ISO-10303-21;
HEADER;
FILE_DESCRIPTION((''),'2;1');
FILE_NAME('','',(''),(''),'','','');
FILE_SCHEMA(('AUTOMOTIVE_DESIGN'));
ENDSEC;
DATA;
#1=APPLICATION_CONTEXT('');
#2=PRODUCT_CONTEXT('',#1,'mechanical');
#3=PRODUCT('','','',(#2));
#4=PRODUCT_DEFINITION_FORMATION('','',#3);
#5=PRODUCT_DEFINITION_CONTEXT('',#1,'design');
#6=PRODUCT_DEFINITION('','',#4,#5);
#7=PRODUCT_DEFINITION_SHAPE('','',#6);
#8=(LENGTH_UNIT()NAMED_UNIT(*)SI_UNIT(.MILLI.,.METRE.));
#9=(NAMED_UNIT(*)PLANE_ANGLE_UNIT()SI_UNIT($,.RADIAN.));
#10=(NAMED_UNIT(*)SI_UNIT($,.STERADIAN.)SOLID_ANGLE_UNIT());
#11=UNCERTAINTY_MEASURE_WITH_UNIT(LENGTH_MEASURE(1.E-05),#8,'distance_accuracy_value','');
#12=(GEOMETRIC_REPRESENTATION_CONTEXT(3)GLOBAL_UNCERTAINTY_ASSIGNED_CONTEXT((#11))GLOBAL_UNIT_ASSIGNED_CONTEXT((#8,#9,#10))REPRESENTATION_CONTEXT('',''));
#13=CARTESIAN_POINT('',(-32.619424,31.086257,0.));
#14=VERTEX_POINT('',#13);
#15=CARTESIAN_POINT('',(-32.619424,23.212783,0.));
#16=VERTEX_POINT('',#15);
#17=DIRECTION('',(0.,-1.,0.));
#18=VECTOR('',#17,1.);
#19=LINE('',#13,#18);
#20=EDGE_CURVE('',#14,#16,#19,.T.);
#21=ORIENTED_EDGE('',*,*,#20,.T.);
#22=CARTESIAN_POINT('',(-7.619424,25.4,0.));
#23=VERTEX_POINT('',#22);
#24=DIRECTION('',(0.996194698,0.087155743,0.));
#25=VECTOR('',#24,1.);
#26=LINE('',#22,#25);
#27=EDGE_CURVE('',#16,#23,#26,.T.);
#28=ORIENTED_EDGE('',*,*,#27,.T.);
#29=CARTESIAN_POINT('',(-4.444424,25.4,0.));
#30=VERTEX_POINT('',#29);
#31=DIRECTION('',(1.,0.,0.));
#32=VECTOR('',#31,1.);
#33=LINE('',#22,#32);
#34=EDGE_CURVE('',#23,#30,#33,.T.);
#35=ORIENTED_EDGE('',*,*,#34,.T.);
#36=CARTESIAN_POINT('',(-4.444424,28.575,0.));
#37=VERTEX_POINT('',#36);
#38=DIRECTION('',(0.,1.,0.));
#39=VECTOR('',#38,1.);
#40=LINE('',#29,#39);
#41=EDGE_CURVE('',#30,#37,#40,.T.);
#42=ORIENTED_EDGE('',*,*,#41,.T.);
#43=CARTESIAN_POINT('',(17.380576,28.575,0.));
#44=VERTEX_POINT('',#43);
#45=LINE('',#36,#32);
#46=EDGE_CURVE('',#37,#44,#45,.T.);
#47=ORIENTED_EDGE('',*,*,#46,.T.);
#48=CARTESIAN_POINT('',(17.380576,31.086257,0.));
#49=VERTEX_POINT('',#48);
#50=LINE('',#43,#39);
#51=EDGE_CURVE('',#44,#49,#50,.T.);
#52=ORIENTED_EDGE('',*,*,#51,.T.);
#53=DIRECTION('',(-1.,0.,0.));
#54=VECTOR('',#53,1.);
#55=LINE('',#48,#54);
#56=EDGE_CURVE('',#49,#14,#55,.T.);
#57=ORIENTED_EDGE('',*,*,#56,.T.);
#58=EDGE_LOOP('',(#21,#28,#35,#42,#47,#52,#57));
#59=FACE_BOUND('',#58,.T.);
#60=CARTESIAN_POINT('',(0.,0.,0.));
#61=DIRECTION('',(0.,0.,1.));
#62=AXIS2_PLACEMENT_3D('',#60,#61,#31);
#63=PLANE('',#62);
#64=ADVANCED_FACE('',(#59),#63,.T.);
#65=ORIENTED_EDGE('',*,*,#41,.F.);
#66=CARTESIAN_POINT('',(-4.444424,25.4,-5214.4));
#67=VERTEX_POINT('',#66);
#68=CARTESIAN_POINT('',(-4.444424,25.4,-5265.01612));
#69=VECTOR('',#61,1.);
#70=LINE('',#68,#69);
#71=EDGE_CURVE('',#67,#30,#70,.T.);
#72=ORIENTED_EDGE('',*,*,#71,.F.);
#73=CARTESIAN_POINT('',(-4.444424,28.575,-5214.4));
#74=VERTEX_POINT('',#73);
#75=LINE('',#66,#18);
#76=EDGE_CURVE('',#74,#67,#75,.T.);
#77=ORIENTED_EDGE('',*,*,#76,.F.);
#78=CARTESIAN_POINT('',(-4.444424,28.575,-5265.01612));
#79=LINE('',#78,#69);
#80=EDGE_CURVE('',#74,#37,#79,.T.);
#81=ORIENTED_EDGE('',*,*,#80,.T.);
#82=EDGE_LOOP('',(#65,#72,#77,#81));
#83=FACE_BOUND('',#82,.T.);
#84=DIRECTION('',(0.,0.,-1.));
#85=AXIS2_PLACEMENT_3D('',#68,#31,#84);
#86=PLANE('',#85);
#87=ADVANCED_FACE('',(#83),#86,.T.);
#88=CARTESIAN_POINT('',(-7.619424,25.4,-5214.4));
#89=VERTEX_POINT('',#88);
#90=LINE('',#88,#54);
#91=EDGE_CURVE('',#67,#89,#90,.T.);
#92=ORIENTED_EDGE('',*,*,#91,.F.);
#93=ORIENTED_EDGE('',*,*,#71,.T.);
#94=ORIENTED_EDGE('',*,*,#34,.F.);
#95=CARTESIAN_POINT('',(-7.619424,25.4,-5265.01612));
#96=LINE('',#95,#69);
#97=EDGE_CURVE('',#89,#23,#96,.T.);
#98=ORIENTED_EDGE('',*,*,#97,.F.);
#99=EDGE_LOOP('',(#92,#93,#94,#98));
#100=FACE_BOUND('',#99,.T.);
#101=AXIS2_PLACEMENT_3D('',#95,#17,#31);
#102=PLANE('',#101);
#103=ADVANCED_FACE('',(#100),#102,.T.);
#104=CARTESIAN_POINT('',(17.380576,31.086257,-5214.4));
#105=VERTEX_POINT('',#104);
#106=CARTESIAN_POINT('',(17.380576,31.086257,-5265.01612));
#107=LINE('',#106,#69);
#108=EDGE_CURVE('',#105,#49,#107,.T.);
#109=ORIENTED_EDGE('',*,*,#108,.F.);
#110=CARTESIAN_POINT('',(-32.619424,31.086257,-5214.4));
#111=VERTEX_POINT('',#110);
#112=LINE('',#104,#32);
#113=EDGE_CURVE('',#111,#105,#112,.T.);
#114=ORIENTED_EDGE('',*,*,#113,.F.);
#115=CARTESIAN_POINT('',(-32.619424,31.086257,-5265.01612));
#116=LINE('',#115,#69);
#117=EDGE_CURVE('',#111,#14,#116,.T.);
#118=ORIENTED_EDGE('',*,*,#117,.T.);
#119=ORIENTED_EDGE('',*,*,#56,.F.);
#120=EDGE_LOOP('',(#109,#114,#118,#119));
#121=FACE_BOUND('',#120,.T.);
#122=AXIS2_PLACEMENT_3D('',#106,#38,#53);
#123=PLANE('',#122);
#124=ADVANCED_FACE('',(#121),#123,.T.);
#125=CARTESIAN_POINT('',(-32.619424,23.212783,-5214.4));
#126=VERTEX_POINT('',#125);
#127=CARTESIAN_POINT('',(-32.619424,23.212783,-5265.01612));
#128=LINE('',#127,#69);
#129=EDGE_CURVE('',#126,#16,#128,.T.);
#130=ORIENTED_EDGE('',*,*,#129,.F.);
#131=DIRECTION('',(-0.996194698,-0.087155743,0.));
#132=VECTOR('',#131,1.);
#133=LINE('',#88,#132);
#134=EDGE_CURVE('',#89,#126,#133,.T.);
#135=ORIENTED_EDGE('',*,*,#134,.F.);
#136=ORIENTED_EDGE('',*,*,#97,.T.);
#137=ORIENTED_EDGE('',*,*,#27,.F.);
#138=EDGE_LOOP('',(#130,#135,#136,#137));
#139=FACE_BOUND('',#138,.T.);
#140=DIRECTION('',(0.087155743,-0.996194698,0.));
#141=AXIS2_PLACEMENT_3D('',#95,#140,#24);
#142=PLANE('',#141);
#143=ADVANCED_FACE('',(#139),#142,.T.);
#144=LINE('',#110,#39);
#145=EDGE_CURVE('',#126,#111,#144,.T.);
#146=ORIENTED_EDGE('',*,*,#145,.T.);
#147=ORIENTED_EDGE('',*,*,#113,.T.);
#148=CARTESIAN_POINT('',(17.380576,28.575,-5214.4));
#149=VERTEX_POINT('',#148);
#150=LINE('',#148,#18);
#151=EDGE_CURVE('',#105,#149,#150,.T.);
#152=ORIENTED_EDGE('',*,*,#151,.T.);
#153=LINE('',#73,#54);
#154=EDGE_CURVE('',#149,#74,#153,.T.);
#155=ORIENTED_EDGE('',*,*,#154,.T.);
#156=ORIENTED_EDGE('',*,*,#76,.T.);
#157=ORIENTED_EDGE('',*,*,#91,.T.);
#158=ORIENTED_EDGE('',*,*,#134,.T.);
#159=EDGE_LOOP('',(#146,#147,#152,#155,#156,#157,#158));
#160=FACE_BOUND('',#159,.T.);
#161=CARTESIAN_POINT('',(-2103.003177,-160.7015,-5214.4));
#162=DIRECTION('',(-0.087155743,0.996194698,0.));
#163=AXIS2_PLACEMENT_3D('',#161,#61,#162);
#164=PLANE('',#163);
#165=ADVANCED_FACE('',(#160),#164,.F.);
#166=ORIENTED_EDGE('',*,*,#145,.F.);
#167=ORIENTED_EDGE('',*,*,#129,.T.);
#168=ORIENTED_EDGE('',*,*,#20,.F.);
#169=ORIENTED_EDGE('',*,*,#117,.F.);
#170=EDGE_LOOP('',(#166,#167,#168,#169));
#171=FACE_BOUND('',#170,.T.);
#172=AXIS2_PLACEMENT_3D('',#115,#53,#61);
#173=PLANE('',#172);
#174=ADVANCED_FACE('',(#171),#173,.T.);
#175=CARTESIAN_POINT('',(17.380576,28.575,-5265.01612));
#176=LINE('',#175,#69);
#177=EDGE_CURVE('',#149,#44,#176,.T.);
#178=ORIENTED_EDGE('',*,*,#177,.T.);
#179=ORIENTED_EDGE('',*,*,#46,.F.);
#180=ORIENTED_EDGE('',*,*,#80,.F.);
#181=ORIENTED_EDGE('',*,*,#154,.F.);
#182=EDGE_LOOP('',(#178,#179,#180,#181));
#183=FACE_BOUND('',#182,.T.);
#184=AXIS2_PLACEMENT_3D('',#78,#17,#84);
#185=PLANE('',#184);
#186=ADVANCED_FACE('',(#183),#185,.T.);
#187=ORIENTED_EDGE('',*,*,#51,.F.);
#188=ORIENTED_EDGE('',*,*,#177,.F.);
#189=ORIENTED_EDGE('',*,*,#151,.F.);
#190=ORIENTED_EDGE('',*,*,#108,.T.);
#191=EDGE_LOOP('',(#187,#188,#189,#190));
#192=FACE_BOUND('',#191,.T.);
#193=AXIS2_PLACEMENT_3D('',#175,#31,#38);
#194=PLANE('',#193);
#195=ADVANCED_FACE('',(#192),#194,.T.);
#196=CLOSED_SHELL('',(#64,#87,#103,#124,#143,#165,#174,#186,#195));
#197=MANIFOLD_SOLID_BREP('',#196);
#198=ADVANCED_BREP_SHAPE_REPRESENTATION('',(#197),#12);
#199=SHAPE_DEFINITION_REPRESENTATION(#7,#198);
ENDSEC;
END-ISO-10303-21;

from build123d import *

# Parameters (mm, degrees)
BOSS_EXTRUDE1_DEPTH = 5214.4


with BuildPart() as part:
    # Sketch2 → Boss-Extrude1 (new body)
    with BuildSketch(Plane.XY):
        Polygon((-7.619424107, 25.4), (-32.619424107, 23.212783412), (-32.619424107, 31.086256538), (17.380575893, 31.086256538), (17.380575893, 28.575), (-4.444424107, 28.575), (-4.444424107, 25.4), align=None)
    extrude(amount=-BOSS_EXTRUDE1_DEPTH)


solid = part.part
